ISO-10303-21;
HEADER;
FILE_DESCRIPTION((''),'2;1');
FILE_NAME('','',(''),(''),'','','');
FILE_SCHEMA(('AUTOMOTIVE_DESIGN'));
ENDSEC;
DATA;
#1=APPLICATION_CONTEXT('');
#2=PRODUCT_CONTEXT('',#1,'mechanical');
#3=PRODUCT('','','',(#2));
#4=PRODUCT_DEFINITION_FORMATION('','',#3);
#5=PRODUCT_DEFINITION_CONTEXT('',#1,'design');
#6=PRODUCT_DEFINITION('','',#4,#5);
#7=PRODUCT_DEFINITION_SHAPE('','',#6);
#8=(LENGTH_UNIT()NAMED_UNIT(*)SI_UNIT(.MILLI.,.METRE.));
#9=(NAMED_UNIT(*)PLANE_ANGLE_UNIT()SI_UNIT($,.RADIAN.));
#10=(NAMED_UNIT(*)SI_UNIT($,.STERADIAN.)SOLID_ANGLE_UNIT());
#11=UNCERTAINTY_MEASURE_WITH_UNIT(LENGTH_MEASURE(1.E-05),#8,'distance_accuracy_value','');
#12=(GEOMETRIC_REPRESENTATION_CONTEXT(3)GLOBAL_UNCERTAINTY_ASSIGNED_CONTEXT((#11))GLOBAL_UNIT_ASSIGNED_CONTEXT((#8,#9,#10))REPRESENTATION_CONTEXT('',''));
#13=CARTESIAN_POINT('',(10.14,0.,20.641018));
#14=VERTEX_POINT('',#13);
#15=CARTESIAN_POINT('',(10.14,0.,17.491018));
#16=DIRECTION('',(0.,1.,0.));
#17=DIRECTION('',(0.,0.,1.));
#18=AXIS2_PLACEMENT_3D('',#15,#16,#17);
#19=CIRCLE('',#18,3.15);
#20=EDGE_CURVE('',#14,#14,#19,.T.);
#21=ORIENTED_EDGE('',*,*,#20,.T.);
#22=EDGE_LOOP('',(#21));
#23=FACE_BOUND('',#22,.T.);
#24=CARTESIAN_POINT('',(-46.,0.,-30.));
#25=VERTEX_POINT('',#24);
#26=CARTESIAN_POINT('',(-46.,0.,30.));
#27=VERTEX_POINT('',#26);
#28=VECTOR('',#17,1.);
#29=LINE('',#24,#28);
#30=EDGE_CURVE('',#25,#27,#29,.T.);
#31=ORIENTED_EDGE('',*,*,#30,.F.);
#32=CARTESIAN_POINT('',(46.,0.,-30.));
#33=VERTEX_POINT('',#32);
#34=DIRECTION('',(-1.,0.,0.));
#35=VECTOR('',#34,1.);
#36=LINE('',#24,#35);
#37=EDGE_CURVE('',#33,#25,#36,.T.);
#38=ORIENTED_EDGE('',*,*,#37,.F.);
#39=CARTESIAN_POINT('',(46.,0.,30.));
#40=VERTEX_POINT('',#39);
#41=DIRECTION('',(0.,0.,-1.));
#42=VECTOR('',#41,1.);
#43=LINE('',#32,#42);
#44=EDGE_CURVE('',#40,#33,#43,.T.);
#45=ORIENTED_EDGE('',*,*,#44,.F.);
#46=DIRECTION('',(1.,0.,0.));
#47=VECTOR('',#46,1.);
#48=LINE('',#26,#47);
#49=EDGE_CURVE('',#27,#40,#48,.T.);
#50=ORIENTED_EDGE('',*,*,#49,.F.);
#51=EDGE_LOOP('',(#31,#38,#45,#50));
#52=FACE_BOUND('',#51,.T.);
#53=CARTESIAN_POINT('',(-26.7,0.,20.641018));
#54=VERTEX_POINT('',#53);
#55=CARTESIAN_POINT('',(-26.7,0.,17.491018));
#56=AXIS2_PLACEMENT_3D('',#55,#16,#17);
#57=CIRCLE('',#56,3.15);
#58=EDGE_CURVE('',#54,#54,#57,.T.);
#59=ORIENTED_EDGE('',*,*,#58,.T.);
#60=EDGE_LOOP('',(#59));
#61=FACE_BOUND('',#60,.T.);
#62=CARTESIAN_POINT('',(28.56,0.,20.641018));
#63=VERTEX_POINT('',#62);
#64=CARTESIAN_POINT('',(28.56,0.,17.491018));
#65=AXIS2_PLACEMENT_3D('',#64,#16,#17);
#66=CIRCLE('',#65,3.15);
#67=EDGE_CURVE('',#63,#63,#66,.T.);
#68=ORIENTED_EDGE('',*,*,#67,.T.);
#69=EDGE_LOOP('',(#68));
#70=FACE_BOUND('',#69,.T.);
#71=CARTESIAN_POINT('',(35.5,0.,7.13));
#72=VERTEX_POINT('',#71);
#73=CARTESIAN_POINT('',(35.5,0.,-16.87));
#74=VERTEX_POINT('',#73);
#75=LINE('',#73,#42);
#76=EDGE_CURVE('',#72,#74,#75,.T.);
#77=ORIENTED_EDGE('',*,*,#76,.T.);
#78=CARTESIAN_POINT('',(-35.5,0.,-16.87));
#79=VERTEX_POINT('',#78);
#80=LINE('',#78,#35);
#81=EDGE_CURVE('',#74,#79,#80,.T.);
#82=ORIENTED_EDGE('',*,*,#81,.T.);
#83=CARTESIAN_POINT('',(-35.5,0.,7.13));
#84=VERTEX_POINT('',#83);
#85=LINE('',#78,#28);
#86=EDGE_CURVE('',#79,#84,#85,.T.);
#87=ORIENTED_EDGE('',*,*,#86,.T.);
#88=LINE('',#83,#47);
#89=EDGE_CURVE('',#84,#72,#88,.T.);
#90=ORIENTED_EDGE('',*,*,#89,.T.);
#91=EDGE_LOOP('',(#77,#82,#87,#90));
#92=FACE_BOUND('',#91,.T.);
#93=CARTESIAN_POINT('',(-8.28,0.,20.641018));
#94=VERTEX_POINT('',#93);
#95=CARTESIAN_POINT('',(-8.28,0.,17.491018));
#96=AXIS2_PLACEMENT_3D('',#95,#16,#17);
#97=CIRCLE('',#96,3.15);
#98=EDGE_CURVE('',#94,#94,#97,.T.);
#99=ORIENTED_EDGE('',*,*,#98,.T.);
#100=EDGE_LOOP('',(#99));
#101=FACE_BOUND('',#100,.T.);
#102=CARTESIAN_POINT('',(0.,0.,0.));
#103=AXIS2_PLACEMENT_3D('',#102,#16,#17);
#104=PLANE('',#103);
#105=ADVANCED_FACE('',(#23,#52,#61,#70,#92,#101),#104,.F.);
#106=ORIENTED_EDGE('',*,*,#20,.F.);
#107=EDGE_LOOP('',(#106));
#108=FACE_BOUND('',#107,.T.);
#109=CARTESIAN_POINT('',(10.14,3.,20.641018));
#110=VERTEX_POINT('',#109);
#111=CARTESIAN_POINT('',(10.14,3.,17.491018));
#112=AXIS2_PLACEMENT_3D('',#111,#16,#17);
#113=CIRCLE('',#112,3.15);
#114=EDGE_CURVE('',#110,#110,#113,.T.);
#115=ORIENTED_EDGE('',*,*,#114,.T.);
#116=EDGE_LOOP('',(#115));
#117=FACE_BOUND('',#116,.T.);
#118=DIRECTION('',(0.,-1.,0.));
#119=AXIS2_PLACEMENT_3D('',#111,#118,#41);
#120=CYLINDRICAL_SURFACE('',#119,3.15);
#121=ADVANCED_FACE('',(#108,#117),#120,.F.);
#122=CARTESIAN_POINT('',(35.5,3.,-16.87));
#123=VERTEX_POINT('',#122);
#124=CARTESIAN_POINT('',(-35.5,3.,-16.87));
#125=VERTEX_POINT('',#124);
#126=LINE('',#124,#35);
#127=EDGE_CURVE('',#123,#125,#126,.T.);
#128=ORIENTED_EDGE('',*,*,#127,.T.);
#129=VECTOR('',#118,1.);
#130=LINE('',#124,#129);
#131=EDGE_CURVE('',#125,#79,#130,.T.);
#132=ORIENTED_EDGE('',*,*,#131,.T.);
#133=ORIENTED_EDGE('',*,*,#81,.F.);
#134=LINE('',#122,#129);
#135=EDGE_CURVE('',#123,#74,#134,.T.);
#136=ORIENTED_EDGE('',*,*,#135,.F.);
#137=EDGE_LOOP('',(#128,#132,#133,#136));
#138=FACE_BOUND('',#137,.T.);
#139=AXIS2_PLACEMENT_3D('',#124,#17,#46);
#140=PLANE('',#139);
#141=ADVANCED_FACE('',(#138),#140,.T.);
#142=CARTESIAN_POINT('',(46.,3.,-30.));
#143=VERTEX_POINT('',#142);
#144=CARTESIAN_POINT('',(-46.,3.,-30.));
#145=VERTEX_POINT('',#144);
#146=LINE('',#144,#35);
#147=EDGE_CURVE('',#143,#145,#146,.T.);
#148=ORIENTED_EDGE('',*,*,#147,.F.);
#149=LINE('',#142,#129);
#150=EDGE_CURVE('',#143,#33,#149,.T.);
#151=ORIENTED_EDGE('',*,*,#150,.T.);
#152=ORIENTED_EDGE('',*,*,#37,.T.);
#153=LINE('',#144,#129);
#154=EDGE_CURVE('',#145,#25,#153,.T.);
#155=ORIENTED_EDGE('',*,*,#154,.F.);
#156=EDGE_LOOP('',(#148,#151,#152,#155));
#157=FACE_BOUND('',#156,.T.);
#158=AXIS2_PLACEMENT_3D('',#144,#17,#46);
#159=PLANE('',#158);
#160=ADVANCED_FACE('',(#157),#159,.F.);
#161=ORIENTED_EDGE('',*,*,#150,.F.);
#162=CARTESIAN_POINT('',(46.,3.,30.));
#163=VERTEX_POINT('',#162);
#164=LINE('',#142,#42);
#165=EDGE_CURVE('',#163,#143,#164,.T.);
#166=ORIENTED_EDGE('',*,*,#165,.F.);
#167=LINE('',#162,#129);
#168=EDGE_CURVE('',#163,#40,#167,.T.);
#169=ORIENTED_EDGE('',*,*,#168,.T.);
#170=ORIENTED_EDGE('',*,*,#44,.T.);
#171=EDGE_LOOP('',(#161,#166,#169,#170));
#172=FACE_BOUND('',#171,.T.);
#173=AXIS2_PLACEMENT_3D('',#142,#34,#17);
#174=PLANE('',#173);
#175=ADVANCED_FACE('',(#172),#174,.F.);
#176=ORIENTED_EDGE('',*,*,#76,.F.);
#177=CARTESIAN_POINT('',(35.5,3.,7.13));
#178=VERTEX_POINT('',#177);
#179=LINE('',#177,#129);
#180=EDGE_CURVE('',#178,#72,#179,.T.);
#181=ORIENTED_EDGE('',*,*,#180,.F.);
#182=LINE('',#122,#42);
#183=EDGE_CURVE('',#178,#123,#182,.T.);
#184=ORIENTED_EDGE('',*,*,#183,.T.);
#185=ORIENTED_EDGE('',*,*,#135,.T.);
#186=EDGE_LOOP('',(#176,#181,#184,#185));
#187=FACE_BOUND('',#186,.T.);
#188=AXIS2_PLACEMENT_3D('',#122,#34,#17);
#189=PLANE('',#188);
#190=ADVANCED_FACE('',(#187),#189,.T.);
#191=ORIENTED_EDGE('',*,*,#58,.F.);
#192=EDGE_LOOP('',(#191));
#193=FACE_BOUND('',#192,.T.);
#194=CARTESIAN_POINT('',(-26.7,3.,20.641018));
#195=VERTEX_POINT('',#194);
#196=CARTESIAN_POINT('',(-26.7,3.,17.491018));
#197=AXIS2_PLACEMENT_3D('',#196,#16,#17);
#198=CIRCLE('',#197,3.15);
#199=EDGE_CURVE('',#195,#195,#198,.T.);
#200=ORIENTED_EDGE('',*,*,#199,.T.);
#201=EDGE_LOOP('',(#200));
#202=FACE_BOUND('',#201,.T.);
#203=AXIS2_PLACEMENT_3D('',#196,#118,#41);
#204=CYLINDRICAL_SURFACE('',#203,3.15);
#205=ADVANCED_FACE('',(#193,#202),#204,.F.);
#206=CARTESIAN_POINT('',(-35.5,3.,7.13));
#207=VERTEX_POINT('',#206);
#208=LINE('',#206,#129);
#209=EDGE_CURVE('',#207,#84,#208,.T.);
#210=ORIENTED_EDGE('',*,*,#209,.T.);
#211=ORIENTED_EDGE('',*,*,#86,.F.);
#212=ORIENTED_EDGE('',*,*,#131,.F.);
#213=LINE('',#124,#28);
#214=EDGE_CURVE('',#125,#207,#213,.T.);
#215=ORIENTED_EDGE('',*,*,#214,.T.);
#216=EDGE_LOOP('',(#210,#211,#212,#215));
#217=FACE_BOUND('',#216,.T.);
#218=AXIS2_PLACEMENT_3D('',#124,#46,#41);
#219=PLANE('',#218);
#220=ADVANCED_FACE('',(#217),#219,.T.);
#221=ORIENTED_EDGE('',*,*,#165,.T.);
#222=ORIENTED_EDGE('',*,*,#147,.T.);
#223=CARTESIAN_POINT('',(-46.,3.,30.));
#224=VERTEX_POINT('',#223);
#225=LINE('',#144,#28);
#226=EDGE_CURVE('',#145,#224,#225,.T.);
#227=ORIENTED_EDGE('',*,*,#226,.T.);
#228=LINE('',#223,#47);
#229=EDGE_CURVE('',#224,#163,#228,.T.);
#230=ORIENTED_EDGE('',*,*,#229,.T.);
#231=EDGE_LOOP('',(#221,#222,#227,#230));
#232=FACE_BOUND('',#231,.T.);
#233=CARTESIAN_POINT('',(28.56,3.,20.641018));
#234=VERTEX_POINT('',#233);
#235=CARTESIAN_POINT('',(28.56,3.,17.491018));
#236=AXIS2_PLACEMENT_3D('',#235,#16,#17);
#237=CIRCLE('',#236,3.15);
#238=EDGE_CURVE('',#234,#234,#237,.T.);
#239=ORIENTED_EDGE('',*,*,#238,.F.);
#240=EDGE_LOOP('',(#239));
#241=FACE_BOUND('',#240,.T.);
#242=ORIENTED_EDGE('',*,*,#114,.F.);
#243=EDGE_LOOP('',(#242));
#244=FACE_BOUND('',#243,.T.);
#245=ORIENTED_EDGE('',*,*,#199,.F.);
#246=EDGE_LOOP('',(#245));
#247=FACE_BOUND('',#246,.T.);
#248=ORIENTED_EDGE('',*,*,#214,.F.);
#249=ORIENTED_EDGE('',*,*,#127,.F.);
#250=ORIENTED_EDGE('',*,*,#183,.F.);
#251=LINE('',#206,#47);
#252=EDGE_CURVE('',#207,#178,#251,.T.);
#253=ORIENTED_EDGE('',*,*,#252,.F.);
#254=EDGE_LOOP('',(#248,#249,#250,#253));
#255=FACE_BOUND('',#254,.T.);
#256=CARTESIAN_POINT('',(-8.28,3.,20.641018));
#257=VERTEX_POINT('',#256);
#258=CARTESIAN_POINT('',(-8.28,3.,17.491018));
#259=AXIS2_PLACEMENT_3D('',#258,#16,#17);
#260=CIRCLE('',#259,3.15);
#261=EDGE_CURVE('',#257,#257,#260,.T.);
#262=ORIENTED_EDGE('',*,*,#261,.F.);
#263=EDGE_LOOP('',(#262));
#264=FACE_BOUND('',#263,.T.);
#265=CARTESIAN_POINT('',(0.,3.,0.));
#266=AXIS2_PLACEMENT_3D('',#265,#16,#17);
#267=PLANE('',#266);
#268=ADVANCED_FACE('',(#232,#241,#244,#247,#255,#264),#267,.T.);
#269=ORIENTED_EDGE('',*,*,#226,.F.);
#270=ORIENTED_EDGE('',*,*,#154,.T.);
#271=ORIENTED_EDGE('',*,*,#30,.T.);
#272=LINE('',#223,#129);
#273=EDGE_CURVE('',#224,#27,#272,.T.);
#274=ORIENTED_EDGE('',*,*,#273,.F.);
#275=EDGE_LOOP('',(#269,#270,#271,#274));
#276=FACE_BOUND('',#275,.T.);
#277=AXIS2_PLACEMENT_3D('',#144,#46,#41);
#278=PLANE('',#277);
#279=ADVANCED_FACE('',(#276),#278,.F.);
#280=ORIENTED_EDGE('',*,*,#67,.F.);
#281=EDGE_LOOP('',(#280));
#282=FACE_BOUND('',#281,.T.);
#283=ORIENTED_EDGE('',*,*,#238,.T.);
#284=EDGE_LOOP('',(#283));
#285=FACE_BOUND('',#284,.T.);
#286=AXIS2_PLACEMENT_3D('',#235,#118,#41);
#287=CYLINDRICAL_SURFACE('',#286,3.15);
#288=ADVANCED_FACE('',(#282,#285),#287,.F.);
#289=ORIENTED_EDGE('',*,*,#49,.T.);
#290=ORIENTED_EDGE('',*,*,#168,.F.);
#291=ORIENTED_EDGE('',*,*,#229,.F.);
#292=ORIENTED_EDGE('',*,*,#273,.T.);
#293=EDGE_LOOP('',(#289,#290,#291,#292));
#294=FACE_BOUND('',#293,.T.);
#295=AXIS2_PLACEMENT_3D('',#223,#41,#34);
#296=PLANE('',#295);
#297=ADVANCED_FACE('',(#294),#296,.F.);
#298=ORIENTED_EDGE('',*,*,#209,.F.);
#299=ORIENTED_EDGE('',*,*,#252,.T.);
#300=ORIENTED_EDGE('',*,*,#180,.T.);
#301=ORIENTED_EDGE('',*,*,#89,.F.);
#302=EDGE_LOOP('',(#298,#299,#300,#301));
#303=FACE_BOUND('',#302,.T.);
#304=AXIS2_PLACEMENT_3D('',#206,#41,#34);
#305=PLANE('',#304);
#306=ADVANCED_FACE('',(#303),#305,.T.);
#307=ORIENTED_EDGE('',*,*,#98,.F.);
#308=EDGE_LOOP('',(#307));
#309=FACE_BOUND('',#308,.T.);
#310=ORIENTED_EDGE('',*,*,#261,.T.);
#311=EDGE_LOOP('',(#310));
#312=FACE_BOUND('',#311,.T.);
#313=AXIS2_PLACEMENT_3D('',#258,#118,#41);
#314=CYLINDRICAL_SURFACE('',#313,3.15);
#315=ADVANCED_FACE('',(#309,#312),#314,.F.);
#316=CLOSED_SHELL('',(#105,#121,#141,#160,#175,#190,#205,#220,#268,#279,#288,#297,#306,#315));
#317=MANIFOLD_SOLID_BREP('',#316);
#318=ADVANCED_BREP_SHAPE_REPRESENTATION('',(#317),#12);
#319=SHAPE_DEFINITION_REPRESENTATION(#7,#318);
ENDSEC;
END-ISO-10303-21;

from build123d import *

# Parameters (mm, degrees)
SKETCH1_W           = 92
SKETCH1_H           = 60
SKETCH1_R           = 3.15
SKETCH1_W_2         = 71
SKETCH1_H_2         = 24
BOSS_EXTRUDE1_DEPTH = 3


with BuildPart() as part:
    # Sketch1 → Boss-Extrude1 (new body)
    with BuildSketch(Plane(origin=(0, 0, 0), x_dir=(1, 0, 0), z_dir=(0, 1, 0))):
        Rectangle(SKETCH1_W, SKETCH1_H)
        with Locations(Location((-26.7, -17.491017964, 0), (0, 0, 270))):
            Circle(SKETCH1_R, mode=Mode.SUBTRACT)
        with Locations(Location((-8.28, -17.491017964, 0), (0, 0, 270))):
            Circle(SKETCH1_R, mode=Mode.SUBTRACT)
        with Locations(Location((10.14, -17.491017964, 0), (0, 0, 270))):
            Circle(SKETCH1_R, mode=Mode.SUBTRACT)
        with Locations(Location((28.56, -17.491017964, 0), (0, 0, 270))):
            Circle(SKETCH1_R, mode=Mode.SUBTRACT)
        with Locations((0, 4.87)):
            Rectangle(SKETCH1_W_2, SKETCH1_H_2, mode=Mode.SUBTRACT)
    extrude(amount=BOSS_EXTRUDE1_DEPTH)


solid = part.part
